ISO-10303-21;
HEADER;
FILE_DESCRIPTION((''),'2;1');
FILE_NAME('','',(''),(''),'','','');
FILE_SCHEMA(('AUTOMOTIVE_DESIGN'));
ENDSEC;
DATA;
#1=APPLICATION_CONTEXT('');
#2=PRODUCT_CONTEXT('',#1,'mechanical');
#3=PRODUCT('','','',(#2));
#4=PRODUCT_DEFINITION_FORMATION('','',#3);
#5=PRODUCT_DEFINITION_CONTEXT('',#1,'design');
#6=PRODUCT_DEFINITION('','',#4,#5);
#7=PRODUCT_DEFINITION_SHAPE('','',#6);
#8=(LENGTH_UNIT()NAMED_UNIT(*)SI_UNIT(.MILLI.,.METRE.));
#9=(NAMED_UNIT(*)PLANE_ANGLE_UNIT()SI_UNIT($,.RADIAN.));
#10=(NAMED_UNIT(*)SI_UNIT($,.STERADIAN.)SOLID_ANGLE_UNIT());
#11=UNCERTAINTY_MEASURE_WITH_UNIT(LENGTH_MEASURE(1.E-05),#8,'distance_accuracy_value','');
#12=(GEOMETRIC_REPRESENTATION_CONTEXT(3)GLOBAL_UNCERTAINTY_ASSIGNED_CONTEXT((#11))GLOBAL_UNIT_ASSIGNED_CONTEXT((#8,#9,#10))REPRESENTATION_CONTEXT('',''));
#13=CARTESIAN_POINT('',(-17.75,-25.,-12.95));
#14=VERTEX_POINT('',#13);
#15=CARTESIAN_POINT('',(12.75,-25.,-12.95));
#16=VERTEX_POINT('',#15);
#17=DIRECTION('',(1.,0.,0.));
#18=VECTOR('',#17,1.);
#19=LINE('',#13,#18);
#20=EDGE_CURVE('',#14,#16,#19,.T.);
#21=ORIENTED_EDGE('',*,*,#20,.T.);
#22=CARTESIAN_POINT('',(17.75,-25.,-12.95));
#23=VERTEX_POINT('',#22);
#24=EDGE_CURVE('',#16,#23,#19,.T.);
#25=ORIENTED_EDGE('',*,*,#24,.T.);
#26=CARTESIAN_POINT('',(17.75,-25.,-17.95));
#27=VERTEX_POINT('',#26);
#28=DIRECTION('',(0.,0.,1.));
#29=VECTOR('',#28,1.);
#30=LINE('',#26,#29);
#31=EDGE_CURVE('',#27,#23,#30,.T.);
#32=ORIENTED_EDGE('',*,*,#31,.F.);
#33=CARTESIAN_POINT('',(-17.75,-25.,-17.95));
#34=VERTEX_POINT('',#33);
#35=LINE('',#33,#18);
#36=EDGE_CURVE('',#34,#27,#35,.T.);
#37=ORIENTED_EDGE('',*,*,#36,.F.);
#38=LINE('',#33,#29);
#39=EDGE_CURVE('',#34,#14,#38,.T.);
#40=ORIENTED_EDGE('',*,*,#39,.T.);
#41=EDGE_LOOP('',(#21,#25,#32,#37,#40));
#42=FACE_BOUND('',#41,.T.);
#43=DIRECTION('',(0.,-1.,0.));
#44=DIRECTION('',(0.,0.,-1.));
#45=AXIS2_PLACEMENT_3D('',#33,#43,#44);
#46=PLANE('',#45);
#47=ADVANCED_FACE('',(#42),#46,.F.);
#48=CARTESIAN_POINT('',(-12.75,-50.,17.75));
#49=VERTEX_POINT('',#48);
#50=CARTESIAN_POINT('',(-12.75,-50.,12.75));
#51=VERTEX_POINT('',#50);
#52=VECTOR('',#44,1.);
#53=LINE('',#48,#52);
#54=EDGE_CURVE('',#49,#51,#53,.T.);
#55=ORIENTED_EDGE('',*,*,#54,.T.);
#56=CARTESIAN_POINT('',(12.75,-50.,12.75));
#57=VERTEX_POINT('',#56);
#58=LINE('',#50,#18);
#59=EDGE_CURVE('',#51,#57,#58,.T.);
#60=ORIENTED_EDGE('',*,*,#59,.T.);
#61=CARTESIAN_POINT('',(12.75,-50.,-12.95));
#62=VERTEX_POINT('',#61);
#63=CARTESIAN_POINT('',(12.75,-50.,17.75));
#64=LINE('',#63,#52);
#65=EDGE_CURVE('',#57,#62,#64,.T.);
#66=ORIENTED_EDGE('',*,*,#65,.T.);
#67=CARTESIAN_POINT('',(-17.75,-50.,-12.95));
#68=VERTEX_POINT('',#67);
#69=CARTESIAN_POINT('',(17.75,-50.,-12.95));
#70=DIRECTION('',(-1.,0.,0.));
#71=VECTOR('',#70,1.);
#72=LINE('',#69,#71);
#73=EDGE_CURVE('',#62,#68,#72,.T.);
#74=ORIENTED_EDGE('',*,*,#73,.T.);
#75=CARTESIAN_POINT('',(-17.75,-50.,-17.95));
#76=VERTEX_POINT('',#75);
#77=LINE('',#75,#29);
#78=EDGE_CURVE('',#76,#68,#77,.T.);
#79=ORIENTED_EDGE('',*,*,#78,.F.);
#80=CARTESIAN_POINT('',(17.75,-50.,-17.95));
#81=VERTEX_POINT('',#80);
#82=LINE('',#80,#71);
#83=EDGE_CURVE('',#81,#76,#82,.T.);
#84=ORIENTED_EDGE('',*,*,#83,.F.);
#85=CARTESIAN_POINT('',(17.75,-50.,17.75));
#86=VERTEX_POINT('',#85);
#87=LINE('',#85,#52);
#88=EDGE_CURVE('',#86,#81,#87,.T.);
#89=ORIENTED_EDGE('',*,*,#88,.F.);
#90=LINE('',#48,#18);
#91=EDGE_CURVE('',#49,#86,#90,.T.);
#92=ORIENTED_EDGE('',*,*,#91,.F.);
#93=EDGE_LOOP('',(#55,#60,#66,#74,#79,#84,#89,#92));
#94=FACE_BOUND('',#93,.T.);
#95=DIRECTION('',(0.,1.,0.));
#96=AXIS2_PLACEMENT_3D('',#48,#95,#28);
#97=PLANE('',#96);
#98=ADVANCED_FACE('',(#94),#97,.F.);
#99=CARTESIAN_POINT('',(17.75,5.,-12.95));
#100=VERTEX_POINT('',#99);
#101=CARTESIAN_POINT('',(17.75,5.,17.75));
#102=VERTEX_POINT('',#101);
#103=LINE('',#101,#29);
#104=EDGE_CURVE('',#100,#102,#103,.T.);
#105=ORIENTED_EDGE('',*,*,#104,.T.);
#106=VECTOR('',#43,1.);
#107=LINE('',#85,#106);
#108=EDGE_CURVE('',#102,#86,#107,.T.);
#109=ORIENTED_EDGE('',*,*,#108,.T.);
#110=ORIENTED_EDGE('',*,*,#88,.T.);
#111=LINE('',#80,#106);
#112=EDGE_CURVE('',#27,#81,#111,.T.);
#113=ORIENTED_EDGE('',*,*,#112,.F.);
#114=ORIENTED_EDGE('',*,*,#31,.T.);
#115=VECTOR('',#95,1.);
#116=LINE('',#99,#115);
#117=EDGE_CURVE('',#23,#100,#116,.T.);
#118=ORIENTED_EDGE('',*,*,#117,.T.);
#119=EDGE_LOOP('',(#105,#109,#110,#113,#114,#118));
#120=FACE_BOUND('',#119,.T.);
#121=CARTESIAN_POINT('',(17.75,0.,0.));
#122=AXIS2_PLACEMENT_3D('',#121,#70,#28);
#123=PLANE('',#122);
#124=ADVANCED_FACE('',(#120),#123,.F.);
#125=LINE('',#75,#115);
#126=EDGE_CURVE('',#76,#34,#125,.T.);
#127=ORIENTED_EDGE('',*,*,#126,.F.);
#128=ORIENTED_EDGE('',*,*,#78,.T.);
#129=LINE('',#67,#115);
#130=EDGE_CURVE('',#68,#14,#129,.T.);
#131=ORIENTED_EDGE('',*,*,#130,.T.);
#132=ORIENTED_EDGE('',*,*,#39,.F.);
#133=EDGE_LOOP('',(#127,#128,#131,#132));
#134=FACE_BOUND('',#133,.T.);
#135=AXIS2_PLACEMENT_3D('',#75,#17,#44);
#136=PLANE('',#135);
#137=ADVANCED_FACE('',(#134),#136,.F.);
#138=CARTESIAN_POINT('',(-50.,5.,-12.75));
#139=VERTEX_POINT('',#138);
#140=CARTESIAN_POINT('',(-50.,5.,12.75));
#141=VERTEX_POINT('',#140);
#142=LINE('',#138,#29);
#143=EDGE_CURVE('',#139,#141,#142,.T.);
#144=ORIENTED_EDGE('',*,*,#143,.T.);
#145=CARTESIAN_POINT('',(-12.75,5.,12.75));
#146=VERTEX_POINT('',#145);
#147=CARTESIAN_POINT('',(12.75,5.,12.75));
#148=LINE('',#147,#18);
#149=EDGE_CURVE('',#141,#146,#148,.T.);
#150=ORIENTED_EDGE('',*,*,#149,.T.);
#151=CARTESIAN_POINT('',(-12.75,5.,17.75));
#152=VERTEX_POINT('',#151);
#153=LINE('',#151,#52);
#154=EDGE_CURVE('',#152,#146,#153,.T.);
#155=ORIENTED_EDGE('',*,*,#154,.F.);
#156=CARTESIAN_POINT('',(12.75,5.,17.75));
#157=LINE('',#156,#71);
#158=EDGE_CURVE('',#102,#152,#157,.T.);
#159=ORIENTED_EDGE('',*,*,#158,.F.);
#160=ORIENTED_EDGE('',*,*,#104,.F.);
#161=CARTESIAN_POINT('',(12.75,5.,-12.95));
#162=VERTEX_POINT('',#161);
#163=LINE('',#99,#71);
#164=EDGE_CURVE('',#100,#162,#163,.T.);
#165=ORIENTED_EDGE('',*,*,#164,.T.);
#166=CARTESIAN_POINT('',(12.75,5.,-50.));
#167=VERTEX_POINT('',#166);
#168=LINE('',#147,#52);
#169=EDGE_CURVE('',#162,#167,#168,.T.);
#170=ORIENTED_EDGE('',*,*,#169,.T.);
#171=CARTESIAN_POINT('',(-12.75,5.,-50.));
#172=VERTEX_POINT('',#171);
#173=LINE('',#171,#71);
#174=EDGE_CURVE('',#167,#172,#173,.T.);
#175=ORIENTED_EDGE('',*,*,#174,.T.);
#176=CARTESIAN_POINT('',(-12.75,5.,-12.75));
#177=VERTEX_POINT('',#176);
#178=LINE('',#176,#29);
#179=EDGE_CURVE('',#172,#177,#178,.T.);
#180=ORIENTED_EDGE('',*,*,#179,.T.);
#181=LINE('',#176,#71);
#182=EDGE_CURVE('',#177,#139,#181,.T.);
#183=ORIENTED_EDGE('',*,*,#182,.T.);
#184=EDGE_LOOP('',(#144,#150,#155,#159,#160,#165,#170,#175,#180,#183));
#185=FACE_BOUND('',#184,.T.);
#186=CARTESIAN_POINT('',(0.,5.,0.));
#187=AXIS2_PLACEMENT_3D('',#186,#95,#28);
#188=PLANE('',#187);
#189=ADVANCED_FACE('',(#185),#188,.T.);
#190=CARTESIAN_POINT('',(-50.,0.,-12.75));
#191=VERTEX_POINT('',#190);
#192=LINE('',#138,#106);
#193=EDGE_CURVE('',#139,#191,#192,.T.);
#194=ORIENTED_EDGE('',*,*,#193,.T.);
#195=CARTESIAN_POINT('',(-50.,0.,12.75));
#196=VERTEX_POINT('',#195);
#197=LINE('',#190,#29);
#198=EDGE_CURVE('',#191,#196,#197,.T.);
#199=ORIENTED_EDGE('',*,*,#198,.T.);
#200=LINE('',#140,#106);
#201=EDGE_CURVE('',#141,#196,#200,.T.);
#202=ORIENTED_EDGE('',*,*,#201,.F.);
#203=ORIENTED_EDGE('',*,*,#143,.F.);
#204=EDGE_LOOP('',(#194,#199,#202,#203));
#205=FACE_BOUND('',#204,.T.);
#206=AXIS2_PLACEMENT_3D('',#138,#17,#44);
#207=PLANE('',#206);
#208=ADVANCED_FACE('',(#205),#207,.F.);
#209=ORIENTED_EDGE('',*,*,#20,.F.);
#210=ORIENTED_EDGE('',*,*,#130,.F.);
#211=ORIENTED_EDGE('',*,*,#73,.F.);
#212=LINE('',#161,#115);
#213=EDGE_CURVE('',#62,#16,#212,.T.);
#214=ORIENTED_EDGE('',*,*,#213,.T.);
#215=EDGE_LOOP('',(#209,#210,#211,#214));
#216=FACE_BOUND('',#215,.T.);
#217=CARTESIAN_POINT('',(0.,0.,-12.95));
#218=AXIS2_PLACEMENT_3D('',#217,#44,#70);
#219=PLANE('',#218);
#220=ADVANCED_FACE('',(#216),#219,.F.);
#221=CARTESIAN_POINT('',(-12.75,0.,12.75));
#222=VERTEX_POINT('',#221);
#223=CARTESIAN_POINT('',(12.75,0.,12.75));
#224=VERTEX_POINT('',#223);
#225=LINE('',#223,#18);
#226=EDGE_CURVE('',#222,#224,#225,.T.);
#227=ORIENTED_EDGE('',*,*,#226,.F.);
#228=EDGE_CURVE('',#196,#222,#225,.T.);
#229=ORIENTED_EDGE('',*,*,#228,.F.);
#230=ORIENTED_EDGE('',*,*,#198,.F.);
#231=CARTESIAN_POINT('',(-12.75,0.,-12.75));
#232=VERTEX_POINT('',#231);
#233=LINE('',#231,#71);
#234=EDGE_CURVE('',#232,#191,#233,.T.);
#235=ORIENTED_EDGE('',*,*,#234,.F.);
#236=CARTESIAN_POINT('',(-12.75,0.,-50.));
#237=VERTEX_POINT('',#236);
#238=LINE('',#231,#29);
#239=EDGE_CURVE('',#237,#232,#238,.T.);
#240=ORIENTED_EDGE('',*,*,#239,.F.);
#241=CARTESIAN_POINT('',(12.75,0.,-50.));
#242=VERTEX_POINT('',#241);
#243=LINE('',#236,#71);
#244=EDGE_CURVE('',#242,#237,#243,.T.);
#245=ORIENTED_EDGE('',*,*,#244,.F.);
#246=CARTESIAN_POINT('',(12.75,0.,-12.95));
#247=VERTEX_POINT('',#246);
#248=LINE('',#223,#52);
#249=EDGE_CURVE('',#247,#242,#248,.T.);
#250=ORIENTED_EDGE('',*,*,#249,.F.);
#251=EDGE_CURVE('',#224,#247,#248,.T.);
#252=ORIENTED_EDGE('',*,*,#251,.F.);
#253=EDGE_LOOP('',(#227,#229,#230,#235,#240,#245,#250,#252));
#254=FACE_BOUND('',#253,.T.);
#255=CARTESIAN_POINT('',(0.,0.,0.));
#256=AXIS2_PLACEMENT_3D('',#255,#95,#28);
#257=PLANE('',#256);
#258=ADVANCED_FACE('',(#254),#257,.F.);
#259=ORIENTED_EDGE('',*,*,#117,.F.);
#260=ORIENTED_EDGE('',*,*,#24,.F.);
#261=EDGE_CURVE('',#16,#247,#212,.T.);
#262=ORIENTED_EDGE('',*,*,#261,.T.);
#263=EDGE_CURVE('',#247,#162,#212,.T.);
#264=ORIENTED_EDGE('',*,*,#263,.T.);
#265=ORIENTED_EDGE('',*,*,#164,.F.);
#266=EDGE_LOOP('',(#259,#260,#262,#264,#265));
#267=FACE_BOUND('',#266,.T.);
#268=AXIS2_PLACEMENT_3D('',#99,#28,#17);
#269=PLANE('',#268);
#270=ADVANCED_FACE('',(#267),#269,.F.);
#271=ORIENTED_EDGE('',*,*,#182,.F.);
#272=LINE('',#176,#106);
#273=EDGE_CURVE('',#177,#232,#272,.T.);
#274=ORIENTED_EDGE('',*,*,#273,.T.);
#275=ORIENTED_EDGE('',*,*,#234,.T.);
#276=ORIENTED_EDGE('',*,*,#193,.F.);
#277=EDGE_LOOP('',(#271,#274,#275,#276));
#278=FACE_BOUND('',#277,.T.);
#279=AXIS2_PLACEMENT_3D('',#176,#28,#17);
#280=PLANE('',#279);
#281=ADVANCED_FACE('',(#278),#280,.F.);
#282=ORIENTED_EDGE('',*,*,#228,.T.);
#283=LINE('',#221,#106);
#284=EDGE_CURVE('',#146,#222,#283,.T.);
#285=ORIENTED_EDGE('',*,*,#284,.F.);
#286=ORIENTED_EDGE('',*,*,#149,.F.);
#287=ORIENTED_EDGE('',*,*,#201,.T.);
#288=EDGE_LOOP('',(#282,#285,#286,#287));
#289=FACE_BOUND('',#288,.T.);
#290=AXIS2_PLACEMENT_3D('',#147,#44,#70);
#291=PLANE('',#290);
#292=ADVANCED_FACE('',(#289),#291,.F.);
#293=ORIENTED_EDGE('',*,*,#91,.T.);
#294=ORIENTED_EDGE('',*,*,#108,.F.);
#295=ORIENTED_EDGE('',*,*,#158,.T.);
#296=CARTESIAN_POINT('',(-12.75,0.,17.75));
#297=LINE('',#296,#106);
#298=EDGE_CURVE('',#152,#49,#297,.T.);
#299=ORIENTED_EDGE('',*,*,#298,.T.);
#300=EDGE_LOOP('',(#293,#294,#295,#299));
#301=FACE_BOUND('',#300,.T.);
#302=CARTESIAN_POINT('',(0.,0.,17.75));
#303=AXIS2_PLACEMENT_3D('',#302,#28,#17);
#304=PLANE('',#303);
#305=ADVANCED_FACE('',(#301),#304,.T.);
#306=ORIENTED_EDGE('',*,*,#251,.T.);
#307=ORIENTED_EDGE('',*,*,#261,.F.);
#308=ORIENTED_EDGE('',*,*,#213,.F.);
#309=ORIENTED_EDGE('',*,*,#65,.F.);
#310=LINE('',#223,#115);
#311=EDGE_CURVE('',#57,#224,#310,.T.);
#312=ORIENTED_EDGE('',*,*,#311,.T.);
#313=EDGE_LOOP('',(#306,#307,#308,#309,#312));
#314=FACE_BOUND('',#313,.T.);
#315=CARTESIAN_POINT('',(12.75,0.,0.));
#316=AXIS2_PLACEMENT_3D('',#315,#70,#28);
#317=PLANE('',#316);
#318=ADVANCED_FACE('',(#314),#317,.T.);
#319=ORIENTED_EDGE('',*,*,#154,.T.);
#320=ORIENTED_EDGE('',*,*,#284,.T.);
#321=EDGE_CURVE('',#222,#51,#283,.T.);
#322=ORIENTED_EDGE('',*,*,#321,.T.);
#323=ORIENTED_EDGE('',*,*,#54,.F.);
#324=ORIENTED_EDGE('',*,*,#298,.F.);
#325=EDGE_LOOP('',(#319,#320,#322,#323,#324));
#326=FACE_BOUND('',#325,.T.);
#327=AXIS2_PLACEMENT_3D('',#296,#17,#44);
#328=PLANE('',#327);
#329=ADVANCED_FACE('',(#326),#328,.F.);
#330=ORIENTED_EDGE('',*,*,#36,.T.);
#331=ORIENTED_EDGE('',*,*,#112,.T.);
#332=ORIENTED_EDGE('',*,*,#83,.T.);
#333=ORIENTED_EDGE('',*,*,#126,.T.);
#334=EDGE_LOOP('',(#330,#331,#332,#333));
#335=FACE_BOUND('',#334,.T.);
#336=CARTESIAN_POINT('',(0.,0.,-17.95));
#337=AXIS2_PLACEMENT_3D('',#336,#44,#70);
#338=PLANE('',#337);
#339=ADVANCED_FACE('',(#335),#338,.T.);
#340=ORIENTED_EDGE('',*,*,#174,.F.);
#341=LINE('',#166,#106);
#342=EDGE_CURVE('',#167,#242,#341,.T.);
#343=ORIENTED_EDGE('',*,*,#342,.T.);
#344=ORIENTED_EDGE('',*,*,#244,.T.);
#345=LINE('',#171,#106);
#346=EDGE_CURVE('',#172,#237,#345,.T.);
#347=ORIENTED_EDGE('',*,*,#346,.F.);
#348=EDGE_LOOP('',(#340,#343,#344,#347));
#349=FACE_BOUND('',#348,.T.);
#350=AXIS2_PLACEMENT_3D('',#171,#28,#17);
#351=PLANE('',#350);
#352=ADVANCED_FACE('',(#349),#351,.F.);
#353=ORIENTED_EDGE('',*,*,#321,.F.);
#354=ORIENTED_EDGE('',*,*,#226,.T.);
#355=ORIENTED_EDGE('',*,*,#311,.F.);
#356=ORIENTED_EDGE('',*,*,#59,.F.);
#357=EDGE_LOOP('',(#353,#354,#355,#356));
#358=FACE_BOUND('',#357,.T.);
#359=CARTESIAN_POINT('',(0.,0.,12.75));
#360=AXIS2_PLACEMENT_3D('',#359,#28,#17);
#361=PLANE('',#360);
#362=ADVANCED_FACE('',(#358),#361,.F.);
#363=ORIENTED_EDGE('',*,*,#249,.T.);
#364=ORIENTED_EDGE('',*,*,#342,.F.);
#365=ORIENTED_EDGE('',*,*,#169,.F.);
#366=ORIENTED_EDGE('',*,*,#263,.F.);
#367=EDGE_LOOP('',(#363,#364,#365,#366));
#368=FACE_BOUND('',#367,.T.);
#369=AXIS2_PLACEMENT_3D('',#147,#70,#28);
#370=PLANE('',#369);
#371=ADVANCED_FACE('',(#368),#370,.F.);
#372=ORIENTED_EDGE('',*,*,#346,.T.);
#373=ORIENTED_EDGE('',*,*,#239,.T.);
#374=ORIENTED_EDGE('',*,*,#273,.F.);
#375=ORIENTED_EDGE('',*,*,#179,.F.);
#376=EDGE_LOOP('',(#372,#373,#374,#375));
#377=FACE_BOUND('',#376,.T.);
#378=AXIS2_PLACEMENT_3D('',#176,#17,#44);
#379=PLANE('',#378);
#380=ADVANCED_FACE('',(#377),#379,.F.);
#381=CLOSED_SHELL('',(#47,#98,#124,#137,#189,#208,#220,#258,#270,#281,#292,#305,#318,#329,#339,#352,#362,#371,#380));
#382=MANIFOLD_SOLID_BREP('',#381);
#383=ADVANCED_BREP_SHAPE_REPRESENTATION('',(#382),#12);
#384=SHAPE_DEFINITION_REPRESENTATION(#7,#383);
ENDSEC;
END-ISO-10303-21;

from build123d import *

# Parameters (mm, degrees)
BOSS_EXTRUDE1_DEPTH = 5
BOSS_EXTRUDE2_DEPTH = 5
SKETCH4_W           = 30.7
SKETCH4_H           = 55
BOSS_EXTRUDE3_DEPTH = 5
SKETCH5_W           = 35.5
SKETCH5_H           = 25
BOSS_EXTRUDE4_DEPTH = 5


with BuildPart() as part:
    # Sketch2 → Boss-Extrude1 (new body)
    with BuildSketch(Plane(origin=(0, 0, 0), x_dir=(1, 0, 0), z_dir=(0, 1, 0))):
        Polygon((-12.75, 12.75), (-12.75, 50), (12.75, 50), (12.75, -12.75), (-50, -12.75), (-50, 12.75), align=None)
    extrude(amount=BOSS_EXTRUDE1_DEPTH)

    # Sketch3 → Boss-Extrude2 (add)
    with BuildSketch(Plane.XY.offset(12.75)):
        Polygon((12.75, 0), (12.75, -50), (-12.75, -50), (-12.75, 0), (-12.75, 5), (12.75, 5), align=None)
    extrude(amount=BOSS_EXTRUDE2_DEPTH)

    # Sketch4 → Boss-Extrude3 (add)
    with BuildSketch(Plane(origin=(12.75, 0, 0), x_dir=(0, 0, -1), z_dir=(1, 0, 0))):
        with Locations((-2.4, -22.5)):
            Rectangle(SKETCH4_W, SKETCH4_H)
    extrude(amount=BOSS_EXTRUDE3_DEPTH)

    # Sketch5 → Boss-Extrude4 (add)
    with BuildSketch(Plane(origin=(0, 0, -12.95), x_dir=(-1, 0, 0), z_dir=(0, 0, -1))):
        with Locations((0, -37.5)):
            Rectangle(SKETCH5_W, SKETCH5_H)
    extrude(amount=BOSS_EXTRUDE4_DEPTH)


solid = part.part
